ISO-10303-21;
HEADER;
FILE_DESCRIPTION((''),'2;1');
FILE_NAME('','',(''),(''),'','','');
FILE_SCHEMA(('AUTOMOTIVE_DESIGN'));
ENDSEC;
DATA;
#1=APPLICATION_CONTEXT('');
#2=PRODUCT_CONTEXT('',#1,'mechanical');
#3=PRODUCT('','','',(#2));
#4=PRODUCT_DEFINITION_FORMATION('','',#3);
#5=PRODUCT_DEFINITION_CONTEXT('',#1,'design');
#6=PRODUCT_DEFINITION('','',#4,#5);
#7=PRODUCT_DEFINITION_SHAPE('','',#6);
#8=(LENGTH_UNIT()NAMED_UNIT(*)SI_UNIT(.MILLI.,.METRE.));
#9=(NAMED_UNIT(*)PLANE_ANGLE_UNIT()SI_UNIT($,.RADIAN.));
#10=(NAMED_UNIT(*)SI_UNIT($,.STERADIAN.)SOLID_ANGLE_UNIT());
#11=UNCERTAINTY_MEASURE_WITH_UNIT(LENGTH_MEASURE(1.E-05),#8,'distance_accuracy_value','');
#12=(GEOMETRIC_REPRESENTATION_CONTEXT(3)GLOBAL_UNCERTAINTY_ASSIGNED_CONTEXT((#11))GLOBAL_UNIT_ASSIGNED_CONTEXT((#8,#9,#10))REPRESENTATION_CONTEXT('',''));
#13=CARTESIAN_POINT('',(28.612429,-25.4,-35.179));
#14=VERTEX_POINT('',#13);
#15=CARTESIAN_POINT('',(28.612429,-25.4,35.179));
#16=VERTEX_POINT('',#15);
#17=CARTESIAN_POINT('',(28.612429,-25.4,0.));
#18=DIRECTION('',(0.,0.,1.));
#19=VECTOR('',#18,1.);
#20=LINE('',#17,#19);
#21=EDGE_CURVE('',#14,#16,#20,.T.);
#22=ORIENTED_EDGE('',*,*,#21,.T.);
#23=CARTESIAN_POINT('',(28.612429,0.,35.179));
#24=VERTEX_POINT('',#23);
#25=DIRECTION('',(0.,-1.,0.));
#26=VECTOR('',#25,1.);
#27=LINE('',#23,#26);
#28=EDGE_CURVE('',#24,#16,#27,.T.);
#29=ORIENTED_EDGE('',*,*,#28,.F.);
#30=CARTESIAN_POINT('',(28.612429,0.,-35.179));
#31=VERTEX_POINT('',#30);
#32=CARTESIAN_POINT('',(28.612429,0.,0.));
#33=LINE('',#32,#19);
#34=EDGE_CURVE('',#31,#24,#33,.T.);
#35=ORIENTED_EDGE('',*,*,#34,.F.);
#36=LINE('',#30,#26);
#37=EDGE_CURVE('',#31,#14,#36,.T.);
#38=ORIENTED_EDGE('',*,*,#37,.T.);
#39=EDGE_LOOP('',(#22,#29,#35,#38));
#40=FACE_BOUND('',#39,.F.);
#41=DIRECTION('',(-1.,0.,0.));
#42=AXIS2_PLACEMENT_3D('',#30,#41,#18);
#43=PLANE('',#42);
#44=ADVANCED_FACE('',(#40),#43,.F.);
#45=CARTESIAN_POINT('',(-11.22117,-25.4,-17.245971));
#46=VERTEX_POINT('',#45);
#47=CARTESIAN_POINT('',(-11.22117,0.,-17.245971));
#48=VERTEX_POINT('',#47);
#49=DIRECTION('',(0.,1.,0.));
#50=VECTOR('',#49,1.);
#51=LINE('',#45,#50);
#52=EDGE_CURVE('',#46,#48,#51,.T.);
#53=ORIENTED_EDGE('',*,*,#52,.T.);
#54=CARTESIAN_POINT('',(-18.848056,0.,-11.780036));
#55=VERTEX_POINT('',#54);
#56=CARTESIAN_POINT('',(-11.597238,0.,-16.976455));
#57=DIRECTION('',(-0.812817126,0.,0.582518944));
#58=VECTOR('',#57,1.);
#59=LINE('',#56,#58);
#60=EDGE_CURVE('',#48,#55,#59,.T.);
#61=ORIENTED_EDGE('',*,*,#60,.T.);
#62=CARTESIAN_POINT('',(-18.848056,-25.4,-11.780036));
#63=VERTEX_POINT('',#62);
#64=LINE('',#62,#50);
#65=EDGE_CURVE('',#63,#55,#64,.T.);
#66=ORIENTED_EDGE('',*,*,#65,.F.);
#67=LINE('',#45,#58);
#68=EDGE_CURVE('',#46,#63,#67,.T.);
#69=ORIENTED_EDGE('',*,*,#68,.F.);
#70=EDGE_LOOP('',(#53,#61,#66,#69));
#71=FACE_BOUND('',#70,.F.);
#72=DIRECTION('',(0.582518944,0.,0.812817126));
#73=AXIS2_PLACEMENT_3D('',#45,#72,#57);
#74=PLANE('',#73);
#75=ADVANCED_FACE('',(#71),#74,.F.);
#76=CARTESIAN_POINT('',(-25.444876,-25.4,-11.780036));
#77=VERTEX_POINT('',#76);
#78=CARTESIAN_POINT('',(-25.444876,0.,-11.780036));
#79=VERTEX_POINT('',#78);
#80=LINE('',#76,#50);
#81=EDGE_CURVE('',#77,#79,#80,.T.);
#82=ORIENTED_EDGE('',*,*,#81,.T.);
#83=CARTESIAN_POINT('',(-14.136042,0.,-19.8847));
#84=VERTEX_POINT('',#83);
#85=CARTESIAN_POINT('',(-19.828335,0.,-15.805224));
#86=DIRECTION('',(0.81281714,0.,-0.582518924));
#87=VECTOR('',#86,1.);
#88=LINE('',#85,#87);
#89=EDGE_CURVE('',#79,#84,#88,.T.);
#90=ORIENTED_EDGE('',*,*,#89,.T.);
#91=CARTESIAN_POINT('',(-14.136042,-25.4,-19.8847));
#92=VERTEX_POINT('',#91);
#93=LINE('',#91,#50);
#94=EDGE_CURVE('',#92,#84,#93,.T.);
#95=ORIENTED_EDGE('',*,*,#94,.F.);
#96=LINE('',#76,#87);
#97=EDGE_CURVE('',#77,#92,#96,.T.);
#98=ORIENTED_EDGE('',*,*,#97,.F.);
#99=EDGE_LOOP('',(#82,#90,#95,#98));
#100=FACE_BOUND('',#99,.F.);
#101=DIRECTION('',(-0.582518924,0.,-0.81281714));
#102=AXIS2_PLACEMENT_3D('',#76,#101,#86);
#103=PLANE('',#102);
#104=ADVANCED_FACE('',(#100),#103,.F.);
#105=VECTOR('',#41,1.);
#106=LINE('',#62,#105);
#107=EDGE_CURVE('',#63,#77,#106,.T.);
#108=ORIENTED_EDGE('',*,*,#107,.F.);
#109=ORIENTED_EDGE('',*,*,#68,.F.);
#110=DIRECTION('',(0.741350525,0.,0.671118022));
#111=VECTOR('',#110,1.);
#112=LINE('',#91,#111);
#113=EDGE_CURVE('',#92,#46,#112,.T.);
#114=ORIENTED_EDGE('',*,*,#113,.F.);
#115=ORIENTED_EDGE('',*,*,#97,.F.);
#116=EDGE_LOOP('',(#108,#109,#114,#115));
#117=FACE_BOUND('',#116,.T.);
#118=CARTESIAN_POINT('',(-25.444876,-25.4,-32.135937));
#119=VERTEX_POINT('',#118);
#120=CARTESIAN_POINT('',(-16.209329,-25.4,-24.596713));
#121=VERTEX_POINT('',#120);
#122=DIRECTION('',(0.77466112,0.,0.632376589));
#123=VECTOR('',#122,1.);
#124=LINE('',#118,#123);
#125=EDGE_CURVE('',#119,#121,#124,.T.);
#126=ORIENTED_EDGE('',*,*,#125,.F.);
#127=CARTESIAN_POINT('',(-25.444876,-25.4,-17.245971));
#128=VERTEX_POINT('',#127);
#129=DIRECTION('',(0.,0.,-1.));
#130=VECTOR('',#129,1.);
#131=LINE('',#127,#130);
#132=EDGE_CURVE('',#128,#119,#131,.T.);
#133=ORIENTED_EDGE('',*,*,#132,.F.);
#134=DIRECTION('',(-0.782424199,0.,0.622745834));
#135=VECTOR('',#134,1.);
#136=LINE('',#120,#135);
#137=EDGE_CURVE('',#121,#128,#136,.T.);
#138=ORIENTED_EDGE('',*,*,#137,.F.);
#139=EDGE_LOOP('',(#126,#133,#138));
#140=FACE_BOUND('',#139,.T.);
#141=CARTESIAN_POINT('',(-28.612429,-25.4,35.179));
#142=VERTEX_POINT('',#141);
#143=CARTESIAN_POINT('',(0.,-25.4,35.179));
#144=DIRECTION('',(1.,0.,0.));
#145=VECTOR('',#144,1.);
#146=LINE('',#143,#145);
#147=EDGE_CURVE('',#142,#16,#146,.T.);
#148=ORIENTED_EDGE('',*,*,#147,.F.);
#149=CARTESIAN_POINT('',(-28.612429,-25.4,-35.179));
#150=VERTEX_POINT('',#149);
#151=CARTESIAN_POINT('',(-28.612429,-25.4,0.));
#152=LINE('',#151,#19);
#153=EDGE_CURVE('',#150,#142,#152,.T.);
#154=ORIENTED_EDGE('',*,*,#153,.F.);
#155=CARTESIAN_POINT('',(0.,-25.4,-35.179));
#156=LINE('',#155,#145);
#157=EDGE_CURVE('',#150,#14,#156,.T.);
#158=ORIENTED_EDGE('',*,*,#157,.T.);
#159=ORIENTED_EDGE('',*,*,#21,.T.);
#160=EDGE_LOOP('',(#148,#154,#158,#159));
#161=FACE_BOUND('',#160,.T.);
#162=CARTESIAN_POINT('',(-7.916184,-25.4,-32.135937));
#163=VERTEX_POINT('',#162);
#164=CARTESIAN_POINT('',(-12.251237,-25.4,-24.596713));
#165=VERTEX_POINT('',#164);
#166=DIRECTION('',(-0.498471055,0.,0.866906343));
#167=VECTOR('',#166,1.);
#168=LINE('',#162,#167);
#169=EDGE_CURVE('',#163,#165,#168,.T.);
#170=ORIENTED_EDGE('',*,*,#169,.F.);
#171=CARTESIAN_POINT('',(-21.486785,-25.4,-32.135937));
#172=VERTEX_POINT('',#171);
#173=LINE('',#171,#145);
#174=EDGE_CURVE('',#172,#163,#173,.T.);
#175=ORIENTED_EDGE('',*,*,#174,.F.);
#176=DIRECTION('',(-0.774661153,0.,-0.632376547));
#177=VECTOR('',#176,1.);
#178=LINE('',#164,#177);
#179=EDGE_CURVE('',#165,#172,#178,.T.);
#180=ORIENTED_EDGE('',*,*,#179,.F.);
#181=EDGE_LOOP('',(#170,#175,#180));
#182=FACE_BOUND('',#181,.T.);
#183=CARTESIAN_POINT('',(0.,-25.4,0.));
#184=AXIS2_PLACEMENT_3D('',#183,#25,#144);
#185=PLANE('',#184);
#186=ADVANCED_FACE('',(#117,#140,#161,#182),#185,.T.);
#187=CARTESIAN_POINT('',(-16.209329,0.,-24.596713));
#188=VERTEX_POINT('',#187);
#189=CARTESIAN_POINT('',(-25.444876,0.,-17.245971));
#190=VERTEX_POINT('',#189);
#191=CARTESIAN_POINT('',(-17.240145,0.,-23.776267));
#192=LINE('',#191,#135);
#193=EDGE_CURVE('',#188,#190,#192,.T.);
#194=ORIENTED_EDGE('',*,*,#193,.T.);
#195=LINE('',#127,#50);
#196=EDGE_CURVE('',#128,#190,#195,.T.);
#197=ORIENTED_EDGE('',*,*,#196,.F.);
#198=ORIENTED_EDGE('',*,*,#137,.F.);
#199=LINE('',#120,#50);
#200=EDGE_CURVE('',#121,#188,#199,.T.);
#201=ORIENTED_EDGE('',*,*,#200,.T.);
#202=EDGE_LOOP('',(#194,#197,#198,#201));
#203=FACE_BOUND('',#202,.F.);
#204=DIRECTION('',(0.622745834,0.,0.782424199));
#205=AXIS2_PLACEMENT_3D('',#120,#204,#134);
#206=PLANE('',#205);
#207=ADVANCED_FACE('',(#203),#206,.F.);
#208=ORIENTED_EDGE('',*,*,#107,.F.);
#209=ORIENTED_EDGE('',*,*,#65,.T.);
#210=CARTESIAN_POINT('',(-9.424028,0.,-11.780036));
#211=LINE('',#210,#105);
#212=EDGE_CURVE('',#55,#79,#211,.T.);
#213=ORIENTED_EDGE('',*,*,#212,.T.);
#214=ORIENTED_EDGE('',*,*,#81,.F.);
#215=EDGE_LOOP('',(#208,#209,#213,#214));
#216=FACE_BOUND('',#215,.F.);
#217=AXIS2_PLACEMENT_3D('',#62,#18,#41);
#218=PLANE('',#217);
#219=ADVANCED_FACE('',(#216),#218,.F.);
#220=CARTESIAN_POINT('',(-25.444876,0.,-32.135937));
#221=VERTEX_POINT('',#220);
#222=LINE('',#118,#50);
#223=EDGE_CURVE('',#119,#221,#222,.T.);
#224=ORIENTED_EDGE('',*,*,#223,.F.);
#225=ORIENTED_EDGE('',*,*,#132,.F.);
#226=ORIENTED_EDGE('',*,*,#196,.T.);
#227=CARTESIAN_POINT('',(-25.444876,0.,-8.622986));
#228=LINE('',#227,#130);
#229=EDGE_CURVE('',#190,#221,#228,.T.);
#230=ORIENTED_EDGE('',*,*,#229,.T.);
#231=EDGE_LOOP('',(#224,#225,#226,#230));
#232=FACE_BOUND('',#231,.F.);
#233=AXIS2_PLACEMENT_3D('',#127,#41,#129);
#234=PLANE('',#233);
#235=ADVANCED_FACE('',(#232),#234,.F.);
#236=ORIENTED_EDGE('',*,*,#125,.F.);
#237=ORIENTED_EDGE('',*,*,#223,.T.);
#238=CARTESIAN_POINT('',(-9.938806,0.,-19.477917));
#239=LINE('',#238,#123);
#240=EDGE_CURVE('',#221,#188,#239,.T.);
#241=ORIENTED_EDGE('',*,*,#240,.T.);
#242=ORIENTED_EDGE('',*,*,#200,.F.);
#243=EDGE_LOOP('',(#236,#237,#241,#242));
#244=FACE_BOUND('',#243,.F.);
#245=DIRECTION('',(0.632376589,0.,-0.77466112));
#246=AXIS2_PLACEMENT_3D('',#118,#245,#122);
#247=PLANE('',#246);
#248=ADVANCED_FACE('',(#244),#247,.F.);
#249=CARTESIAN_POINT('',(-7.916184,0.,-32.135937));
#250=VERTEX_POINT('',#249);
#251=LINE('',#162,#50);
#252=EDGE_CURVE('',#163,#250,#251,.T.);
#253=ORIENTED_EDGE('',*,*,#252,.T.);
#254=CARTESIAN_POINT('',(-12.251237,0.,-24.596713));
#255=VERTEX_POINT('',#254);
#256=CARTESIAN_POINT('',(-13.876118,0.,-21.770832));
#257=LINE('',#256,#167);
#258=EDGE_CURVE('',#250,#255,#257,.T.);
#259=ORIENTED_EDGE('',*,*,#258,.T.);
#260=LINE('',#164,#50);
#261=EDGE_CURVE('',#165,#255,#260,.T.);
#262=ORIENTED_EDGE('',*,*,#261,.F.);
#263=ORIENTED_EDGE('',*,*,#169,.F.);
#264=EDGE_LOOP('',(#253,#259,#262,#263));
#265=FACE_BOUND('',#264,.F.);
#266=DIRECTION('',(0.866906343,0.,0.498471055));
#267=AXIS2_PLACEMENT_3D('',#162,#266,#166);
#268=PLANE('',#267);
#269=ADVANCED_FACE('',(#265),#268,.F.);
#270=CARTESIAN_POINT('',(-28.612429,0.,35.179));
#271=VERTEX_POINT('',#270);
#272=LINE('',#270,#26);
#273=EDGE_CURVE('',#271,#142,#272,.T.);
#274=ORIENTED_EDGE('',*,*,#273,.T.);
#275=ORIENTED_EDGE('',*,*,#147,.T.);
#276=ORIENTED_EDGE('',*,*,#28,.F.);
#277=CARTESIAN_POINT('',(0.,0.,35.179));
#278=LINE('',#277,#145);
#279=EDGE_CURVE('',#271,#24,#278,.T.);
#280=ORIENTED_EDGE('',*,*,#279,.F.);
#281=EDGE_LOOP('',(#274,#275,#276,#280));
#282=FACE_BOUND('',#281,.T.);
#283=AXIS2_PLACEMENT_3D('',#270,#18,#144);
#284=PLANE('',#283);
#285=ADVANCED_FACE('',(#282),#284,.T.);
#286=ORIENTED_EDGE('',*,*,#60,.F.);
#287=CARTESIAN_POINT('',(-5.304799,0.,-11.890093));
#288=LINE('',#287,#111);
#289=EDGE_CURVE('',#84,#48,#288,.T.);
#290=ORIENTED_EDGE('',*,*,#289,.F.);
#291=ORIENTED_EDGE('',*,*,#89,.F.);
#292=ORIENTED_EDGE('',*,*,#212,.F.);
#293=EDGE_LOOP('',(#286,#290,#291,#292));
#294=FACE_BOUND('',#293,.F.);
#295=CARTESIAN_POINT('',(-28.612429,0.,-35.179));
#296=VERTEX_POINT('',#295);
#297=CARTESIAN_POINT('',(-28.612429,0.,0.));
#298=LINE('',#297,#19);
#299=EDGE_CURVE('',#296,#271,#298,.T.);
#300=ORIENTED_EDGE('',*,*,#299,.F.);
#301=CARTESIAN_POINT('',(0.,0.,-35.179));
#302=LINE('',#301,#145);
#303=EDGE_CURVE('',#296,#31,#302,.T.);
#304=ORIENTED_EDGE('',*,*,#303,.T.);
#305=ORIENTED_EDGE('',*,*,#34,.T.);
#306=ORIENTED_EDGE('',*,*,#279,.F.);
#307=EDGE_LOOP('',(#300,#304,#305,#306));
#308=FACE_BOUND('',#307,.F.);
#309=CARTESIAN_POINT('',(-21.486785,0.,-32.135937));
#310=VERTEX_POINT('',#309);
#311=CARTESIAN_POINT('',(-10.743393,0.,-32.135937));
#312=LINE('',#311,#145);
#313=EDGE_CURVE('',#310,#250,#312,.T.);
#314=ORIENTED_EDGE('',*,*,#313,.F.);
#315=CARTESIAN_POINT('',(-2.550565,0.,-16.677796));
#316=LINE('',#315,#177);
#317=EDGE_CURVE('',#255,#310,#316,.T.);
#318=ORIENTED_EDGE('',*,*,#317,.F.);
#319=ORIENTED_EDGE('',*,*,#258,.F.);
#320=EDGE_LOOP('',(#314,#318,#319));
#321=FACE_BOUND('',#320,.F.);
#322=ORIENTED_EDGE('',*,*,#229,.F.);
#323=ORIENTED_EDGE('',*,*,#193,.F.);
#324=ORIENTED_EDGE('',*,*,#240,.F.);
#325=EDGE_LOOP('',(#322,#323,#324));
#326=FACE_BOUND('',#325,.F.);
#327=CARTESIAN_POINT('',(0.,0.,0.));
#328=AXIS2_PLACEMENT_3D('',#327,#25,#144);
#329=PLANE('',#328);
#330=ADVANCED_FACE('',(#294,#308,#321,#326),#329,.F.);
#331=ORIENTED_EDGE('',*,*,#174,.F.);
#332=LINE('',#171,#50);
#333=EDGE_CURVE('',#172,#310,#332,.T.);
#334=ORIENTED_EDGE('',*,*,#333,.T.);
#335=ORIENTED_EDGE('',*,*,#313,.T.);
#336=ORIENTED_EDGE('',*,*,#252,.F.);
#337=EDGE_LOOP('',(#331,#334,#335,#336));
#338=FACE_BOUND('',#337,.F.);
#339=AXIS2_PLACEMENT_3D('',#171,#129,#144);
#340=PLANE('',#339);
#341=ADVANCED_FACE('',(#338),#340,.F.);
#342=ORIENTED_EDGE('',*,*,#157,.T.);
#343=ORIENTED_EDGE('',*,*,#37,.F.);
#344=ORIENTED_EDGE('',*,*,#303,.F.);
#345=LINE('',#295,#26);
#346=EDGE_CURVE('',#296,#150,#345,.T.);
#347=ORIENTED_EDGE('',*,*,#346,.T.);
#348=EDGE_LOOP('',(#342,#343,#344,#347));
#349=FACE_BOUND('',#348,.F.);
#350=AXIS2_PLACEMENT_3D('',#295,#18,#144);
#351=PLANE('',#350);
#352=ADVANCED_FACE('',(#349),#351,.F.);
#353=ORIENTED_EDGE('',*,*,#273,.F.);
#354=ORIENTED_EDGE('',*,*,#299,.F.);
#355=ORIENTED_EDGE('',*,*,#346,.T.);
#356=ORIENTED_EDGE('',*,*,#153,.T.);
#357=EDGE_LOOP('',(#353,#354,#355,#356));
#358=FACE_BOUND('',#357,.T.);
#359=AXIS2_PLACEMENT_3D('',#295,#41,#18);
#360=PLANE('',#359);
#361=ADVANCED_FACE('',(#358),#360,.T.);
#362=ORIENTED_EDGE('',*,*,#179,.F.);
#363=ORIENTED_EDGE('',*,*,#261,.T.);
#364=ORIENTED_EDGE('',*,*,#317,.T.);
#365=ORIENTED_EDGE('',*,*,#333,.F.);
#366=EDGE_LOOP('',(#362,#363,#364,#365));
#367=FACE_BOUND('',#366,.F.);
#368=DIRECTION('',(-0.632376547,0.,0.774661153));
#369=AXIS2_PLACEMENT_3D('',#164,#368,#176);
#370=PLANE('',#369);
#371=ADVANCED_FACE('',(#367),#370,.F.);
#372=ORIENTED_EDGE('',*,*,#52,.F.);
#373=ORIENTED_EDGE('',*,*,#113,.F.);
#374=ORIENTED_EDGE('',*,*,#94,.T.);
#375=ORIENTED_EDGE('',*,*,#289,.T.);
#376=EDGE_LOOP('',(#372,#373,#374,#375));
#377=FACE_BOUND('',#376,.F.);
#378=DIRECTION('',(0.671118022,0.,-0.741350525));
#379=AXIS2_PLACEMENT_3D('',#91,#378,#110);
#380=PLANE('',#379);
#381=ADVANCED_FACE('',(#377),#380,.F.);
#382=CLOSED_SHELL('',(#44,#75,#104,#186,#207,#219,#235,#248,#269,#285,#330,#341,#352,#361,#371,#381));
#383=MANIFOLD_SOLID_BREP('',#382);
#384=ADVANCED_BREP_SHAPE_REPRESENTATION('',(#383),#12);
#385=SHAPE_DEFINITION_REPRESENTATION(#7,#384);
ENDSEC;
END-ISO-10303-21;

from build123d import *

# Parameters (mm, degrees)
F0_W     = 57.224858
F0_H     = 70.358
F1_DEPTH = 25.4
F3_DEPTH = 25.401


with BuildPart() as f1:
    # F0 (on Front) → F1 (new body)
    with BuildSketch(Plane.XZ):
        Rectangle(F0_W, F0_H)
    extrude(amount=F1_DEPTH)

    # F2 (on face) → F3 (cut, through all)
    with BuildSketch(Plane.XZ.offset(25.4)):
        Polygon((-25.444876, -11.780036), (-14.136042, -19.8847), (-11.22117, -17.245971), (-18.848056, -11.780036), align=None)
        Polygon((-25.444876, -17.245971), (-25.444876, -32.135937), (-16.209329, -24.596713), align=None)
        Polygon((-12.251237, -24.596713), (-21.486785, -32.135937), (-7.916184, -32.135937), align=None)
    extrude(amount=-F3_DEPTH, mode=Mode.SUBTRACT)


solid = f1.part
